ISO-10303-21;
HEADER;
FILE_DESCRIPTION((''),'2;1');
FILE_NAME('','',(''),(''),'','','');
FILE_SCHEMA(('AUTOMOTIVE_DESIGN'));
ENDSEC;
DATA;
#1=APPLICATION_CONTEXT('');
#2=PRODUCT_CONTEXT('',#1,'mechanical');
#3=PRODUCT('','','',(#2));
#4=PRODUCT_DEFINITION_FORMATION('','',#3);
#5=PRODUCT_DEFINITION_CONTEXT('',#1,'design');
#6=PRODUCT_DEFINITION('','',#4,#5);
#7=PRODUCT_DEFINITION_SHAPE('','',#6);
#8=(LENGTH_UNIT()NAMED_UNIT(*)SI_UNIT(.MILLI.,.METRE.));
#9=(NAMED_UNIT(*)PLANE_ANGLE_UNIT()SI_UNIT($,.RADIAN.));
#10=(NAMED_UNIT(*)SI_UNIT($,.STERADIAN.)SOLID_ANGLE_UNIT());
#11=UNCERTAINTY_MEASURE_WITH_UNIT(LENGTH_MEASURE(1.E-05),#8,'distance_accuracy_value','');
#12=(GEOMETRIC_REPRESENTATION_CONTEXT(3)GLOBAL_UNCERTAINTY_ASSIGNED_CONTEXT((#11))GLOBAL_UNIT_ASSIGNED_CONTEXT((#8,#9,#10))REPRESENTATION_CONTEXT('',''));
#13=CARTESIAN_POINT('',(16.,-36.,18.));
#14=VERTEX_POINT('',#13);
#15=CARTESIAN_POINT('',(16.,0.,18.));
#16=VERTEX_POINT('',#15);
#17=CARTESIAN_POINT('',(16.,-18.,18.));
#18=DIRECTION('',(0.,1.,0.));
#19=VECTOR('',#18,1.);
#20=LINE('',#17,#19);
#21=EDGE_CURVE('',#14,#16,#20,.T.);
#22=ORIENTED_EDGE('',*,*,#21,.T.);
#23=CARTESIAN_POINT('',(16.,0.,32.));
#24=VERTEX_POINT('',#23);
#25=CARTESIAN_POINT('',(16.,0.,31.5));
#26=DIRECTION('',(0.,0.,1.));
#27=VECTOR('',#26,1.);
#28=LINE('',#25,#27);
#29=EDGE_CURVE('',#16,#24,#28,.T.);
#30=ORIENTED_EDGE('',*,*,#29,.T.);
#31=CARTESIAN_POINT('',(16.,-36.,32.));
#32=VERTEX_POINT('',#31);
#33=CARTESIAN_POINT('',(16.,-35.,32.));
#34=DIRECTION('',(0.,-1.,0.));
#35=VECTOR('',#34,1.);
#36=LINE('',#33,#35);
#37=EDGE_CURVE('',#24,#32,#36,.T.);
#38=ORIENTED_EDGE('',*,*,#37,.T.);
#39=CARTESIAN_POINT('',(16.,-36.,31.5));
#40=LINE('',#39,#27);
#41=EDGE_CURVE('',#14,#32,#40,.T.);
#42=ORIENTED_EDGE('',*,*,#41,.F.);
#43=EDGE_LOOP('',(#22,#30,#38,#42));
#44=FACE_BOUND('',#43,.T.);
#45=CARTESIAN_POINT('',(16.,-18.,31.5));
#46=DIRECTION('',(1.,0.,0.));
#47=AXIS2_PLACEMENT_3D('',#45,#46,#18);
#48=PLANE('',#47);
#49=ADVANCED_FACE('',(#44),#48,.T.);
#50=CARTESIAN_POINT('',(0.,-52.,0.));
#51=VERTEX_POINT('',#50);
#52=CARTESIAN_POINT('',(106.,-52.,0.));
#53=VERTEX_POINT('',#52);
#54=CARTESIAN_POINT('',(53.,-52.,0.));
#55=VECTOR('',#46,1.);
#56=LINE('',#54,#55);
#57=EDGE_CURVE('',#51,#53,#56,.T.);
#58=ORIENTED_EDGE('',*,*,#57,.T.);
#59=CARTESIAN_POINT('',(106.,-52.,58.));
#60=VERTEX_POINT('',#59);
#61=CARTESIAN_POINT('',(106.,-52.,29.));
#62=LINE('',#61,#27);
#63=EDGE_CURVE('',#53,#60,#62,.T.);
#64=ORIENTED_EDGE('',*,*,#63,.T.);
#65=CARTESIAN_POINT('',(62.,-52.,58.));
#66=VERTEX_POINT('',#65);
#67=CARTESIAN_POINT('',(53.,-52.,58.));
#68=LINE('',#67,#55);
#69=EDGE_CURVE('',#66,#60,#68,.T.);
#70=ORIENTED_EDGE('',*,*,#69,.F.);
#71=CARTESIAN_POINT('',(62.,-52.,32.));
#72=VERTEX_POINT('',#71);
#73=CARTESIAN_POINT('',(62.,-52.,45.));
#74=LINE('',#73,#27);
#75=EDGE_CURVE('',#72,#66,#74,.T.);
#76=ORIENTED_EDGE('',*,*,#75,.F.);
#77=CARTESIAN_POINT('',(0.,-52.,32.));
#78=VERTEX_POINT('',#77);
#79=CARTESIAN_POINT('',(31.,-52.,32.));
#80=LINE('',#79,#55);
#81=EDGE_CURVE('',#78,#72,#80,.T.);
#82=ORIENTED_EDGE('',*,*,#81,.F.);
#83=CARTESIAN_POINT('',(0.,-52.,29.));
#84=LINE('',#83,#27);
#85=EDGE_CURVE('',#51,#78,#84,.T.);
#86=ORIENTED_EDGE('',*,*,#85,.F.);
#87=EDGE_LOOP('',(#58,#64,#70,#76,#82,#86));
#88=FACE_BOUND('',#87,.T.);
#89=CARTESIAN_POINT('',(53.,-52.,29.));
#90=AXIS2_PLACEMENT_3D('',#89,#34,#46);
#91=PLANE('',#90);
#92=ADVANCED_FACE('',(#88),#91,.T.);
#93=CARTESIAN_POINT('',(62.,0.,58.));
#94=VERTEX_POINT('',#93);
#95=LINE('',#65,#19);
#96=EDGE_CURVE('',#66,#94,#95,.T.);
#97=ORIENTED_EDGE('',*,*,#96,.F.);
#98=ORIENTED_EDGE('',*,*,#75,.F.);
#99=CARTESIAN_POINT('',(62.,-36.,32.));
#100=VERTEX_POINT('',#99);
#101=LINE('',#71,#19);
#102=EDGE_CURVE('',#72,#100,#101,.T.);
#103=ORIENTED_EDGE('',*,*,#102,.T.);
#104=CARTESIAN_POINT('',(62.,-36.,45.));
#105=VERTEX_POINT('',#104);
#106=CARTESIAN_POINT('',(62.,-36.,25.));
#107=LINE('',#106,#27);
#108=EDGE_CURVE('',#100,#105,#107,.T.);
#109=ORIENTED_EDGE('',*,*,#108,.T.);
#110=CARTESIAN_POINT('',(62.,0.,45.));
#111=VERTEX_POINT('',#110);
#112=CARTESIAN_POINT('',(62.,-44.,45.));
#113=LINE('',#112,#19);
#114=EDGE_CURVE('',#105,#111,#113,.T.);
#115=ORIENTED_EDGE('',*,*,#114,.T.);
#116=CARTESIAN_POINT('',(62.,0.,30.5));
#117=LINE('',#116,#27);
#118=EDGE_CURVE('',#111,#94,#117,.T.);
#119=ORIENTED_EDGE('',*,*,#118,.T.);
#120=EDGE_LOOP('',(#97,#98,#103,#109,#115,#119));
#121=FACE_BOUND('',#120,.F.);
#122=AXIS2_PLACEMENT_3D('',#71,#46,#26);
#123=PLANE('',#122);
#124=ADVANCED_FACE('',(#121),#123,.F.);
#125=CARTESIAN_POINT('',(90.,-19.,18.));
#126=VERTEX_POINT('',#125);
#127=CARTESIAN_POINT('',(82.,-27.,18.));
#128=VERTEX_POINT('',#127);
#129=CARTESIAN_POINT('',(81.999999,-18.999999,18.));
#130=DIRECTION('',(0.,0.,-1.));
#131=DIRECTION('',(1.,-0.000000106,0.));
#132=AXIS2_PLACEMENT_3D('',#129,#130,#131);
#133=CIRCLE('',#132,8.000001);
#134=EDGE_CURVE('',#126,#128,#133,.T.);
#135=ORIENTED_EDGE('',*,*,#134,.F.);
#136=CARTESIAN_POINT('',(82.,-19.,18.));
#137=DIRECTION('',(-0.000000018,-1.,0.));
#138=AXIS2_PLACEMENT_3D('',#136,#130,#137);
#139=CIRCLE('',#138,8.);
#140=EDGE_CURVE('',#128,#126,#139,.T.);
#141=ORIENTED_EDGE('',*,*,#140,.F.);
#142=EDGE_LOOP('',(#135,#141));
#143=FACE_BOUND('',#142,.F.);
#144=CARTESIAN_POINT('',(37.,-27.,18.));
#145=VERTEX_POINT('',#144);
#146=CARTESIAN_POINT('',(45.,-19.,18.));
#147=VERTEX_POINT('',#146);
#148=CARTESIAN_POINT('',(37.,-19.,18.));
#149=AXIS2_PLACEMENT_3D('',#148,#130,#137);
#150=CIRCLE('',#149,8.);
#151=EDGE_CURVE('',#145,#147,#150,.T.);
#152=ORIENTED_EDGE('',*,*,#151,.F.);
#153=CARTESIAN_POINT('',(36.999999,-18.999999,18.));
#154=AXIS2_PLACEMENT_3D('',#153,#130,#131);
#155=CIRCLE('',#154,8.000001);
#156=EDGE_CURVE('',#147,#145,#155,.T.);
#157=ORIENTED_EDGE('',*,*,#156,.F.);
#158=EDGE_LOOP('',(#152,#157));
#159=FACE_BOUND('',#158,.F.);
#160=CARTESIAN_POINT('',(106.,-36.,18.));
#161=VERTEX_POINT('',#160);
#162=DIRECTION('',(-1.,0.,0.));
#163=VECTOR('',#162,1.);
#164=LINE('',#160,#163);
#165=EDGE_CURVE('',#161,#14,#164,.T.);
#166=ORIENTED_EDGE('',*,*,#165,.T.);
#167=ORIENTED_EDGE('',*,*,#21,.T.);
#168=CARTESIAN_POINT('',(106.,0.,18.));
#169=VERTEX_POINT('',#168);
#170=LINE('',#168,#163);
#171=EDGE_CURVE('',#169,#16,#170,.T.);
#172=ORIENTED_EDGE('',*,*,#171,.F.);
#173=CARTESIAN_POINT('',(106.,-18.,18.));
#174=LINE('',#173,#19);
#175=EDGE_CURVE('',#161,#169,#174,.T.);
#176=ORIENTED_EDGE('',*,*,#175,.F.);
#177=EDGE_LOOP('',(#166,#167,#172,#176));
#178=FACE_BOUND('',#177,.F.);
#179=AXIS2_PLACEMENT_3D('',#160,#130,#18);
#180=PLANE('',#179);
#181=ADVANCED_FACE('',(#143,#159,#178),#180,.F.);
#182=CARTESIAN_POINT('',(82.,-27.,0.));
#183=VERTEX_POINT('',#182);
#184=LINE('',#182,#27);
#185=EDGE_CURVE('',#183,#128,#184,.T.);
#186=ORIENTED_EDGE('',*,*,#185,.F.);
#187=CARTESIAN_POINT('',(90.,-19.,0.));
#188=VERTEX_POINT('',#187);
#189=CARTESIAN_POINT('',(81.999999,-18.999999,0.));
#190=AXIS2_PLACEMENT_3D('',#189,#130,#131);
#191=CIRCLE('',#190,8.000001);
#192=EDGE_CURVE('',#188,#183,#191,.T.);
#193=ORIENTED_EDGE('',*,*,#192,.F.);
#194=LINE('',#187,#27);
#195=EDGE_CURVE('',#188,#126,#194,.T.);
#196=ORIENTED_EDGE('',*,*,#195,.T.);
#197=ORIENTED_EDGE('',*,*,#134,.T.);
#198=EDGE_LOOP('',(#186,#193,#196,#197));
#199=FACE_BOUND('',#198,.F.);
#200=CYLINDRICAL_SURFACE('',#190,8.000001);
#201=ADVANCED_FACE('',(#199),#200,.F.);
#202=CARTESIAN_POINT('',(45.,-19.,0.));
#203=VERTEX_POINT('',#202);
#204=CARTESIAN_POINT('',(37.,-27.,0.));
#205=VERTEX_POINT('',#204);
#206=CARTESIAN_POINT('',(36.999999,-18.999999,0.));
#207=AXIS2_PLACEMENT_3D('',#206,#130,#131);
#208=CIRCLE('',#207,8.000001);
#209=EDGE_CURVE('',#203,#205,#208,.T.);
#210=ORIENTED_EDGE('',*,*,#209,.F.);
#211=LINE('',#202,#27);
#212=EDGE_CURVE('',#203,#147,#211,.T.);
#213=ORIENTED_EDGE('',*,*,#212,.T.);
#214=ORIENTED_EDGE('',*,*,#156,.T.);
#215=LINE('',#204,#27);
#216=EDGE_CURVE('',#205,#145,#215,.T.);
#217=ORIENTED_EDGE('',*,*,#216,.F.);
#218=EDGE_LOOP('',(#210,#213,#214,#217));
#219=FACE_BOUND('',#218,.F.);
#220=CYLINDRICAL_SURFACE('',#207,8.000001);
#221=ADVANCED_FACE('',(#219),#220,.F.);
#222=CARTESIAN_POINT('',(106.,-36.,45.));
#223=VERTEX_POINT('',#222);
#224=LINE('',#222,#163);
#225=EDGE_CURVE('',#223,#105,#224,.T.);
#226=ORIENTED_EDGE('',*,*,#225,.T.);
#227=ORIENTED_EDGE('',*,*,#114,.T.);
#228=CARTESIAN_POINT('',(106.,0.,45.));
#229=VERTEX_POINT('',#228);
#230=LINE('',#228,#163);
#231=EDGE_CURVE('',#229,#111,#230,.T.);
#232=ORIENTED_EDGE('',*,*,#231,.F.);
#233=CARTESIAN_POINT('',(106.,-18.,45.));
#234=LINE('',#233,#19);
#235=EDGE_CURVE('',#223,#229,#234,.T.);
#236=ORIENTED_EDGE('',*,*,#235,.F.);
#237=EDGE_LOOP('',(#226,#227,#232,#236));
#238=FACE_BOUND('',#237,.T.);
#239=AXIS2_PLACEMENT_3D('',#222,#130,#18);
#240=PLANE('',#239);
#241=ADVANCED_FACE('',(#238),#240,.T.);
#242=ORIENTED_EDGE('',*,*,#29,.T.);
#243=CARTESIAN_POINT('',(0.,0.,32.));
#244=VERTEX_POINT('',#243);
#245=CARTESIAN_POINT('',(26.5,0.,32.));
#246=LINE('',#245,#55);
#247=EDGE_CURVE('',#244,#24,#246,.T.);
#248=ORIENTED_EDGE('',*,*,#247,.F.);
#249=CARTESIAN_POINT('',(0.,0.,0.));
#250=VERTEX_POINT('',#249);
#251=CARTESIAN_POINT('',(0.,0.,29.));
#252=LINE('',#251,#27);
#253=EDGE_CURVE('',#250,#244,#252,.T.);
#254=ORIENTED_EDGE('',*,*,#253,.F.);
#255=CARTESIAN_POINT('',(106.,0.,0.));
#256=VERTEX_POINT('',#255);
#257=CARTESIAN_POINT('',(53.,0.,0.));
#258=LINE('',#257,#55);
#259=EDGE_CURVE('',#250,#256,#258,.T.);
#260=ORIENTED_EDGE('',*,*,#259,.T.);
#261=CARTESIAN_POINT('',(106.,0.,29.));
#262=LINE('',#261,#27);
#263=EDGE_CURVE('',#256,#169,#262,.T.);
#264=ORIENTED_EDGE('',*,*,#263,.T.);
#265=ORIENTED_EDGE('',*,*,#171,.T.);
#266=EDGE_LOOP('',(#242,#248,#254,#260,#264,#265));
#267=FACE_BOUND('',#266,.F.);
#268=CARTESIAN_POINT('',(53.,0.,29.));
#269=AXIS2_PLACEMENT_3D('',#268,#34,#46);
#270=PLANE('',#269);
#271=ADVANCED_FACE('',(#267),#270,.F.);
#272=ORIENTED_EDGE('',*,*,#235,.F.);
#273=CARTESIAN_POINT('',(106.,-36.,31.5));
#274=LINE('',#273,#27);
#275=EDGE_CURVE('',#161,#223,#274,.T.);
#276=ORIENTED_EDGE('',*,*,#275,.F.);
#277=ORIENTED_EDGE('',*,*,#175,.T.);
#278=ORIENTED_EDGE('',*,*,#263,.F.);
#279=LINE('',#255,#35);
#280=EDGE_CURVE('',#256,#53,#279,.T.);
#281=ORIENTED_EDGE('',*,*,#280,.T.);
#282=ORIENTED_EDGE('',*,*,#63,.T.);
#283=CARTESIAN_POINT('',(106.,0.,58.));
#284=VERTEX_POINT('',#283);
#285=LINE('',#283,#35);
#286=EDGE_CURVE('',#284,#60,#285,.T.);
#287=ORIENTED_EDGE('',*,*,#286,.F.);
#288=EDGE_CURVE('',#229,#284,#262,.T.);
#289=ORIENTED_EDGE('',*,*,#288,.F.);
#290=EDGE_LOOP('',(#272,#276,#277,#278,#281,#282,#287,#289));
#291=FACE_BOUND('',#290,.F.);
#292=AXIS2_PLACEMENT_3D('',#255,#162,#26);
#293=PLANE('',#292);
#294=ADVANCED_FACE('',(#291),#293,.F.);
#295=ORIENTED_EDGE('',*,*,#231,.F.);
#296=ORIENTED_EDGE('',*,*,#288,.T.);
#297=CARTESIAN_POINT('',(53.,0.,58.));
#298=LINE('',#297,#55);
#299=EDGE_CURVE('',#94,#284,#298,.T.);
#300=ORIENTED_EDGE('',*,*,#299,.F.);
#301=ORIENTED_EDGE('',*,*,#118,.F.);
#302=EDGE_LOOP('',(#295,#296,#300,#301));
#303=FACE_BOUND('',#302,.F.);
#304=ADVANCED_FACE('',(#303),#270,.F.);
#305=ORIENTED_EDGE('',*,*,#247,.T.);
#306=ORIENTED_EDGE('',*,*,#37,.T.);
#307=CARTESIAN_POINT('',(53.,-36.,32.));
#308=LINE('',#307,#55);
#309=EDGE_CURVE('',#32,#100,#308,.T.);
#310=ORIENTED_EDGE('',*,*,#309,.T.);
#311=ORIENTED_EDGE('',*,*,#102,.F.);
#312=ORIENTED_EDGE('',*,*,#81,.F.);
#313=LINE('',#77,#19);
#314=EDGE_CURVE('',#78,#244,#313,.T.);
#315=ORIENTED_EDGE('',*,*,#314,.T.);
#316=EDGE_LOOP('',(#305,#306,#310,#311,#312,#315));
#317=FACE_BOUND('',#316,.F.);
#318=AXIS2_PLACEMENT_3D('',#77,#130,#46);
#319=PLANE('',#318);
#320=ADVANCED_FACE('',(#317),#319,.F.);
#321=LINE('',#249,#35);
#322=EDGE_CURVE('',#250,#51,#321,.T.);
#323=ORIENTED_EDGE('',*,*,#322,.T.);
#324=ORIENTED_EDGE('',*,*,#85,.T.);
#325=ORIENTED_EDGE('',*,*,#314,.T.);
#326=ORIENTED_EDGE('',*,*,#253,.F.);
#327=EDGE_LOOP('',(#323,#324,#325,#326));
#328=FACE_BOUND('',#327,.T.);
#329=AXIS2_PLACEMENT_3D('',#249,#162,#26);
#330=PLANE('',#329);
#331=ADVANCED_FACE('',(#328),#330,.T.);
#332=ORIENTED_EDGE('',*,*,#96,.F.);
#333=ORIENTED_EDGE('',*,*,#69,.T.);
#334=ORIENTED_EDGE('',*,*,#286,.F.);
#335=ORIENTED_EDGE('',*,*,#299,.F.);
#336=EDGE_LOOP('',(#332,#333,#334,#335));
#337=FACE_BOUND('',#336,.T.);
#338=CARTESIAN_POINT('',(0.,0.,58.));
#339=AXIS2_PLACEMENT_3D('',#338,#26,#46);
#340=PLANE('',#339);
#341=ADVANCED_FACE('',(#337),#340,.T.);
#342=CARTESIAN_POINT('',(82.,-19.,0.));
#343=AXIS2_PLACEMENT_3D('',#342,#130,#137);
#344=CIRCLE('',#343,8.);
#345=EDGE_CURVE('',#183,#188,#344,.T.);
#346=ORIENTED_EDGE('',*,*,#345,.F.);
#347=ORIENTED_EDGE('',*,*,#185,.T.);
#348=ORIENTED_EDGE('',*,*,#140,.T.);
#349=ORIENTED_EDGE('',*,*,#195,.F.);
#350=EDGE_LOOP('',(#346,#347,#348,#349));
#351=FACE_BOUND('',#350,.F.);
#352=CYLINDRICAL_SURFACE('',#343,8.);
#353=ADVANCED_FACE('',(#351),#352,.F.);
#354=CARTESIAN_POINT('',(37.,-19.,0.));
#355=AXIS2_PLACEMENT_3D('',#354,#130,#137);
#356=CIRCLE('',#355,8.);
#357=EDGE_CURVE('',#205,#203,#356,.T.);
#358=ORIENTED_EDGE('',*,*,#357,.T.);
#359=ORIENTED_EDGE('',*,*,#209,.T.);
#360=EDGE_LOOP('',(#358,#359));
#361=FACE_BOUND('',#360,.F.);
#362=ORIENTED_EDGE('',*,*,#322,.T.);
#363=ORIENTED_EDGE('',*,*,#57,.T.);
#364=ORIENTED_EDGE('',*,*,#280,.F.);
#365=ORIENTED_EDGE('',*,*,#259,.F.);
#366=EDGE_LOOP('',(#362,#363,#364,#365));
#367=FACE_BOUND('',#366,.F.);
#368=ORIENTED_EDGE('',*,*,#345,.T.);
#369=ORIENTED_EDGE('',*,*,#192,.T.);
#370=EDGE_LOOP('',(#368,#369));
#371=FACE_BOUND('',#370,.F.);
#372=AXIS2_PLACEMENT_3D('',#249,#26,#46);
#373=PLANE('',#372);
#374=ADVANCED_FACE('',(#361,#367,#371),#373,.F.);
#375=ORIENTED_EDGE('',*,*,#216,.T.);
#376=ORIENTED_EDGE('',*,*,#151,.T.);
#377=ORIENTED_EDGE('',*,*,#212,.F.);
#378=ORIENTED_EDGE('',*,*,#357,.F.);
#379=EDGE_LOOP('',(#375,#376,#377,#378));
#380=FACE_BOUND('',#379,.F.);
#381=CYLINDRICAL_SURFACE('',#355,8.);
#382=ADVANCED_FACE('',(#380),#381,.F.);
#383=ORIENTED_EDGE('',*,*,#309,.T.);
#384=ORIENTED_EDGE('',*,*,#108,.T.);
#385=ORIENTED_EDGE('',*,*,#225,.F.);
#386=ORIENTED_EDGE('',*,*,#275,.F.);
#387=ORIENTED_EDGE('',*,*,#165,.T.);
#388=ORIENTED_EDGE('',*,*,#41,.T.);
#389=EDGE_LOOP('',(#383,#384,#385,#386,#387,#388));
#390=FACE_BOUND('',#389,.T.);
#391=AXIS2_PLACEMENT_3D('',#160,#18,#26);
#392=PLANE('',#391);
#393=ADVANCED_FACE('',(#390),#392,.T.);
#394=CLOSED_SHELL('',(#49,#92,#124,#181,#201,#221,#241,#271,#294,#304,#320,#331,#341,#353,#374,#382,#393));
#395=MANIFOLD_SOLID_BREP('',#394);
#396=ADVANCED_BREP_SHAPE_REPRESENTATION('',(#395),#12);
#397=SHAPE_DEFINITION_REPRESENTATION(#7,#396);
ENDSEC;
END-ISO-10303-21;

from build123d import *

# Parameters (mm, degrees)
F0_W     = 106
F0_H     = 58
F1_DEPTH = 52
F2_W     = 62
F2_H     = 26
F3_DEPTH = 52.001
F4_W     = 36
F4_H     = 27
F5_DEPTH = 90
F7_DEPTH = 18


with BuildPart() as f1:
    # F0 (on Front) → F1 (new body)
    with BuildSketch(Plane.XZ):
        with Locations((53, 29)):
            Rectangle(F0_W, F0_H)
    extrude(amount=F1_DEPTH)

    # F2 (on face) → F3 (cut, through all)
    with BuildSketch(Plane.XZ.offset(52)):
        with Locations((31, 45)):
            Rectangle(F2_W, F2_H)
    extrude(amount=-F3_DEPTH, mode=Mode.SUBTRACT)

    # F4 (on face) → F5 (cut)
    with BuildSketch(Plane.YZ.offset(106)):
        with Locations((-18, 31.5)):
            Rectangle(F4_W, F4_H)
    extrude(amount=-F5_DEPTH, mode=Mode.SUBTRACT)

    # F6 (on face) → F7 (cut)
    with BuildSketch(Plane(origin=(0, 0, 0), x_dir=(1, 0, 0), z_dir=(0, 0, -1))):
        with BuildLine():
            ThreePointArc((82, 27), (76.343146, 13.343146), (90, 19))
            Line((90, 19), (82, 19))
            Line((82, 19), (82, 27))
        make_face()
        with BuildLine():
            Line((82, 19), (90, 19))
            ThreePointArc((90, 19), (87.656854, 24.656854), (82, 27))
            Line((82, 27), (82, 19))
        make_face()
        with BuildLine():
            ThreePointArc((45, 19), (42.656854, 24.656854), (37, 27))
            ThreePointArc((37, 27), (31.343146, 13.343146), (45, 19))
        make_face()
    extrude(amount=-F7_DEPTH, mode=Mode.SUBTRACT)


solid = f1.part
